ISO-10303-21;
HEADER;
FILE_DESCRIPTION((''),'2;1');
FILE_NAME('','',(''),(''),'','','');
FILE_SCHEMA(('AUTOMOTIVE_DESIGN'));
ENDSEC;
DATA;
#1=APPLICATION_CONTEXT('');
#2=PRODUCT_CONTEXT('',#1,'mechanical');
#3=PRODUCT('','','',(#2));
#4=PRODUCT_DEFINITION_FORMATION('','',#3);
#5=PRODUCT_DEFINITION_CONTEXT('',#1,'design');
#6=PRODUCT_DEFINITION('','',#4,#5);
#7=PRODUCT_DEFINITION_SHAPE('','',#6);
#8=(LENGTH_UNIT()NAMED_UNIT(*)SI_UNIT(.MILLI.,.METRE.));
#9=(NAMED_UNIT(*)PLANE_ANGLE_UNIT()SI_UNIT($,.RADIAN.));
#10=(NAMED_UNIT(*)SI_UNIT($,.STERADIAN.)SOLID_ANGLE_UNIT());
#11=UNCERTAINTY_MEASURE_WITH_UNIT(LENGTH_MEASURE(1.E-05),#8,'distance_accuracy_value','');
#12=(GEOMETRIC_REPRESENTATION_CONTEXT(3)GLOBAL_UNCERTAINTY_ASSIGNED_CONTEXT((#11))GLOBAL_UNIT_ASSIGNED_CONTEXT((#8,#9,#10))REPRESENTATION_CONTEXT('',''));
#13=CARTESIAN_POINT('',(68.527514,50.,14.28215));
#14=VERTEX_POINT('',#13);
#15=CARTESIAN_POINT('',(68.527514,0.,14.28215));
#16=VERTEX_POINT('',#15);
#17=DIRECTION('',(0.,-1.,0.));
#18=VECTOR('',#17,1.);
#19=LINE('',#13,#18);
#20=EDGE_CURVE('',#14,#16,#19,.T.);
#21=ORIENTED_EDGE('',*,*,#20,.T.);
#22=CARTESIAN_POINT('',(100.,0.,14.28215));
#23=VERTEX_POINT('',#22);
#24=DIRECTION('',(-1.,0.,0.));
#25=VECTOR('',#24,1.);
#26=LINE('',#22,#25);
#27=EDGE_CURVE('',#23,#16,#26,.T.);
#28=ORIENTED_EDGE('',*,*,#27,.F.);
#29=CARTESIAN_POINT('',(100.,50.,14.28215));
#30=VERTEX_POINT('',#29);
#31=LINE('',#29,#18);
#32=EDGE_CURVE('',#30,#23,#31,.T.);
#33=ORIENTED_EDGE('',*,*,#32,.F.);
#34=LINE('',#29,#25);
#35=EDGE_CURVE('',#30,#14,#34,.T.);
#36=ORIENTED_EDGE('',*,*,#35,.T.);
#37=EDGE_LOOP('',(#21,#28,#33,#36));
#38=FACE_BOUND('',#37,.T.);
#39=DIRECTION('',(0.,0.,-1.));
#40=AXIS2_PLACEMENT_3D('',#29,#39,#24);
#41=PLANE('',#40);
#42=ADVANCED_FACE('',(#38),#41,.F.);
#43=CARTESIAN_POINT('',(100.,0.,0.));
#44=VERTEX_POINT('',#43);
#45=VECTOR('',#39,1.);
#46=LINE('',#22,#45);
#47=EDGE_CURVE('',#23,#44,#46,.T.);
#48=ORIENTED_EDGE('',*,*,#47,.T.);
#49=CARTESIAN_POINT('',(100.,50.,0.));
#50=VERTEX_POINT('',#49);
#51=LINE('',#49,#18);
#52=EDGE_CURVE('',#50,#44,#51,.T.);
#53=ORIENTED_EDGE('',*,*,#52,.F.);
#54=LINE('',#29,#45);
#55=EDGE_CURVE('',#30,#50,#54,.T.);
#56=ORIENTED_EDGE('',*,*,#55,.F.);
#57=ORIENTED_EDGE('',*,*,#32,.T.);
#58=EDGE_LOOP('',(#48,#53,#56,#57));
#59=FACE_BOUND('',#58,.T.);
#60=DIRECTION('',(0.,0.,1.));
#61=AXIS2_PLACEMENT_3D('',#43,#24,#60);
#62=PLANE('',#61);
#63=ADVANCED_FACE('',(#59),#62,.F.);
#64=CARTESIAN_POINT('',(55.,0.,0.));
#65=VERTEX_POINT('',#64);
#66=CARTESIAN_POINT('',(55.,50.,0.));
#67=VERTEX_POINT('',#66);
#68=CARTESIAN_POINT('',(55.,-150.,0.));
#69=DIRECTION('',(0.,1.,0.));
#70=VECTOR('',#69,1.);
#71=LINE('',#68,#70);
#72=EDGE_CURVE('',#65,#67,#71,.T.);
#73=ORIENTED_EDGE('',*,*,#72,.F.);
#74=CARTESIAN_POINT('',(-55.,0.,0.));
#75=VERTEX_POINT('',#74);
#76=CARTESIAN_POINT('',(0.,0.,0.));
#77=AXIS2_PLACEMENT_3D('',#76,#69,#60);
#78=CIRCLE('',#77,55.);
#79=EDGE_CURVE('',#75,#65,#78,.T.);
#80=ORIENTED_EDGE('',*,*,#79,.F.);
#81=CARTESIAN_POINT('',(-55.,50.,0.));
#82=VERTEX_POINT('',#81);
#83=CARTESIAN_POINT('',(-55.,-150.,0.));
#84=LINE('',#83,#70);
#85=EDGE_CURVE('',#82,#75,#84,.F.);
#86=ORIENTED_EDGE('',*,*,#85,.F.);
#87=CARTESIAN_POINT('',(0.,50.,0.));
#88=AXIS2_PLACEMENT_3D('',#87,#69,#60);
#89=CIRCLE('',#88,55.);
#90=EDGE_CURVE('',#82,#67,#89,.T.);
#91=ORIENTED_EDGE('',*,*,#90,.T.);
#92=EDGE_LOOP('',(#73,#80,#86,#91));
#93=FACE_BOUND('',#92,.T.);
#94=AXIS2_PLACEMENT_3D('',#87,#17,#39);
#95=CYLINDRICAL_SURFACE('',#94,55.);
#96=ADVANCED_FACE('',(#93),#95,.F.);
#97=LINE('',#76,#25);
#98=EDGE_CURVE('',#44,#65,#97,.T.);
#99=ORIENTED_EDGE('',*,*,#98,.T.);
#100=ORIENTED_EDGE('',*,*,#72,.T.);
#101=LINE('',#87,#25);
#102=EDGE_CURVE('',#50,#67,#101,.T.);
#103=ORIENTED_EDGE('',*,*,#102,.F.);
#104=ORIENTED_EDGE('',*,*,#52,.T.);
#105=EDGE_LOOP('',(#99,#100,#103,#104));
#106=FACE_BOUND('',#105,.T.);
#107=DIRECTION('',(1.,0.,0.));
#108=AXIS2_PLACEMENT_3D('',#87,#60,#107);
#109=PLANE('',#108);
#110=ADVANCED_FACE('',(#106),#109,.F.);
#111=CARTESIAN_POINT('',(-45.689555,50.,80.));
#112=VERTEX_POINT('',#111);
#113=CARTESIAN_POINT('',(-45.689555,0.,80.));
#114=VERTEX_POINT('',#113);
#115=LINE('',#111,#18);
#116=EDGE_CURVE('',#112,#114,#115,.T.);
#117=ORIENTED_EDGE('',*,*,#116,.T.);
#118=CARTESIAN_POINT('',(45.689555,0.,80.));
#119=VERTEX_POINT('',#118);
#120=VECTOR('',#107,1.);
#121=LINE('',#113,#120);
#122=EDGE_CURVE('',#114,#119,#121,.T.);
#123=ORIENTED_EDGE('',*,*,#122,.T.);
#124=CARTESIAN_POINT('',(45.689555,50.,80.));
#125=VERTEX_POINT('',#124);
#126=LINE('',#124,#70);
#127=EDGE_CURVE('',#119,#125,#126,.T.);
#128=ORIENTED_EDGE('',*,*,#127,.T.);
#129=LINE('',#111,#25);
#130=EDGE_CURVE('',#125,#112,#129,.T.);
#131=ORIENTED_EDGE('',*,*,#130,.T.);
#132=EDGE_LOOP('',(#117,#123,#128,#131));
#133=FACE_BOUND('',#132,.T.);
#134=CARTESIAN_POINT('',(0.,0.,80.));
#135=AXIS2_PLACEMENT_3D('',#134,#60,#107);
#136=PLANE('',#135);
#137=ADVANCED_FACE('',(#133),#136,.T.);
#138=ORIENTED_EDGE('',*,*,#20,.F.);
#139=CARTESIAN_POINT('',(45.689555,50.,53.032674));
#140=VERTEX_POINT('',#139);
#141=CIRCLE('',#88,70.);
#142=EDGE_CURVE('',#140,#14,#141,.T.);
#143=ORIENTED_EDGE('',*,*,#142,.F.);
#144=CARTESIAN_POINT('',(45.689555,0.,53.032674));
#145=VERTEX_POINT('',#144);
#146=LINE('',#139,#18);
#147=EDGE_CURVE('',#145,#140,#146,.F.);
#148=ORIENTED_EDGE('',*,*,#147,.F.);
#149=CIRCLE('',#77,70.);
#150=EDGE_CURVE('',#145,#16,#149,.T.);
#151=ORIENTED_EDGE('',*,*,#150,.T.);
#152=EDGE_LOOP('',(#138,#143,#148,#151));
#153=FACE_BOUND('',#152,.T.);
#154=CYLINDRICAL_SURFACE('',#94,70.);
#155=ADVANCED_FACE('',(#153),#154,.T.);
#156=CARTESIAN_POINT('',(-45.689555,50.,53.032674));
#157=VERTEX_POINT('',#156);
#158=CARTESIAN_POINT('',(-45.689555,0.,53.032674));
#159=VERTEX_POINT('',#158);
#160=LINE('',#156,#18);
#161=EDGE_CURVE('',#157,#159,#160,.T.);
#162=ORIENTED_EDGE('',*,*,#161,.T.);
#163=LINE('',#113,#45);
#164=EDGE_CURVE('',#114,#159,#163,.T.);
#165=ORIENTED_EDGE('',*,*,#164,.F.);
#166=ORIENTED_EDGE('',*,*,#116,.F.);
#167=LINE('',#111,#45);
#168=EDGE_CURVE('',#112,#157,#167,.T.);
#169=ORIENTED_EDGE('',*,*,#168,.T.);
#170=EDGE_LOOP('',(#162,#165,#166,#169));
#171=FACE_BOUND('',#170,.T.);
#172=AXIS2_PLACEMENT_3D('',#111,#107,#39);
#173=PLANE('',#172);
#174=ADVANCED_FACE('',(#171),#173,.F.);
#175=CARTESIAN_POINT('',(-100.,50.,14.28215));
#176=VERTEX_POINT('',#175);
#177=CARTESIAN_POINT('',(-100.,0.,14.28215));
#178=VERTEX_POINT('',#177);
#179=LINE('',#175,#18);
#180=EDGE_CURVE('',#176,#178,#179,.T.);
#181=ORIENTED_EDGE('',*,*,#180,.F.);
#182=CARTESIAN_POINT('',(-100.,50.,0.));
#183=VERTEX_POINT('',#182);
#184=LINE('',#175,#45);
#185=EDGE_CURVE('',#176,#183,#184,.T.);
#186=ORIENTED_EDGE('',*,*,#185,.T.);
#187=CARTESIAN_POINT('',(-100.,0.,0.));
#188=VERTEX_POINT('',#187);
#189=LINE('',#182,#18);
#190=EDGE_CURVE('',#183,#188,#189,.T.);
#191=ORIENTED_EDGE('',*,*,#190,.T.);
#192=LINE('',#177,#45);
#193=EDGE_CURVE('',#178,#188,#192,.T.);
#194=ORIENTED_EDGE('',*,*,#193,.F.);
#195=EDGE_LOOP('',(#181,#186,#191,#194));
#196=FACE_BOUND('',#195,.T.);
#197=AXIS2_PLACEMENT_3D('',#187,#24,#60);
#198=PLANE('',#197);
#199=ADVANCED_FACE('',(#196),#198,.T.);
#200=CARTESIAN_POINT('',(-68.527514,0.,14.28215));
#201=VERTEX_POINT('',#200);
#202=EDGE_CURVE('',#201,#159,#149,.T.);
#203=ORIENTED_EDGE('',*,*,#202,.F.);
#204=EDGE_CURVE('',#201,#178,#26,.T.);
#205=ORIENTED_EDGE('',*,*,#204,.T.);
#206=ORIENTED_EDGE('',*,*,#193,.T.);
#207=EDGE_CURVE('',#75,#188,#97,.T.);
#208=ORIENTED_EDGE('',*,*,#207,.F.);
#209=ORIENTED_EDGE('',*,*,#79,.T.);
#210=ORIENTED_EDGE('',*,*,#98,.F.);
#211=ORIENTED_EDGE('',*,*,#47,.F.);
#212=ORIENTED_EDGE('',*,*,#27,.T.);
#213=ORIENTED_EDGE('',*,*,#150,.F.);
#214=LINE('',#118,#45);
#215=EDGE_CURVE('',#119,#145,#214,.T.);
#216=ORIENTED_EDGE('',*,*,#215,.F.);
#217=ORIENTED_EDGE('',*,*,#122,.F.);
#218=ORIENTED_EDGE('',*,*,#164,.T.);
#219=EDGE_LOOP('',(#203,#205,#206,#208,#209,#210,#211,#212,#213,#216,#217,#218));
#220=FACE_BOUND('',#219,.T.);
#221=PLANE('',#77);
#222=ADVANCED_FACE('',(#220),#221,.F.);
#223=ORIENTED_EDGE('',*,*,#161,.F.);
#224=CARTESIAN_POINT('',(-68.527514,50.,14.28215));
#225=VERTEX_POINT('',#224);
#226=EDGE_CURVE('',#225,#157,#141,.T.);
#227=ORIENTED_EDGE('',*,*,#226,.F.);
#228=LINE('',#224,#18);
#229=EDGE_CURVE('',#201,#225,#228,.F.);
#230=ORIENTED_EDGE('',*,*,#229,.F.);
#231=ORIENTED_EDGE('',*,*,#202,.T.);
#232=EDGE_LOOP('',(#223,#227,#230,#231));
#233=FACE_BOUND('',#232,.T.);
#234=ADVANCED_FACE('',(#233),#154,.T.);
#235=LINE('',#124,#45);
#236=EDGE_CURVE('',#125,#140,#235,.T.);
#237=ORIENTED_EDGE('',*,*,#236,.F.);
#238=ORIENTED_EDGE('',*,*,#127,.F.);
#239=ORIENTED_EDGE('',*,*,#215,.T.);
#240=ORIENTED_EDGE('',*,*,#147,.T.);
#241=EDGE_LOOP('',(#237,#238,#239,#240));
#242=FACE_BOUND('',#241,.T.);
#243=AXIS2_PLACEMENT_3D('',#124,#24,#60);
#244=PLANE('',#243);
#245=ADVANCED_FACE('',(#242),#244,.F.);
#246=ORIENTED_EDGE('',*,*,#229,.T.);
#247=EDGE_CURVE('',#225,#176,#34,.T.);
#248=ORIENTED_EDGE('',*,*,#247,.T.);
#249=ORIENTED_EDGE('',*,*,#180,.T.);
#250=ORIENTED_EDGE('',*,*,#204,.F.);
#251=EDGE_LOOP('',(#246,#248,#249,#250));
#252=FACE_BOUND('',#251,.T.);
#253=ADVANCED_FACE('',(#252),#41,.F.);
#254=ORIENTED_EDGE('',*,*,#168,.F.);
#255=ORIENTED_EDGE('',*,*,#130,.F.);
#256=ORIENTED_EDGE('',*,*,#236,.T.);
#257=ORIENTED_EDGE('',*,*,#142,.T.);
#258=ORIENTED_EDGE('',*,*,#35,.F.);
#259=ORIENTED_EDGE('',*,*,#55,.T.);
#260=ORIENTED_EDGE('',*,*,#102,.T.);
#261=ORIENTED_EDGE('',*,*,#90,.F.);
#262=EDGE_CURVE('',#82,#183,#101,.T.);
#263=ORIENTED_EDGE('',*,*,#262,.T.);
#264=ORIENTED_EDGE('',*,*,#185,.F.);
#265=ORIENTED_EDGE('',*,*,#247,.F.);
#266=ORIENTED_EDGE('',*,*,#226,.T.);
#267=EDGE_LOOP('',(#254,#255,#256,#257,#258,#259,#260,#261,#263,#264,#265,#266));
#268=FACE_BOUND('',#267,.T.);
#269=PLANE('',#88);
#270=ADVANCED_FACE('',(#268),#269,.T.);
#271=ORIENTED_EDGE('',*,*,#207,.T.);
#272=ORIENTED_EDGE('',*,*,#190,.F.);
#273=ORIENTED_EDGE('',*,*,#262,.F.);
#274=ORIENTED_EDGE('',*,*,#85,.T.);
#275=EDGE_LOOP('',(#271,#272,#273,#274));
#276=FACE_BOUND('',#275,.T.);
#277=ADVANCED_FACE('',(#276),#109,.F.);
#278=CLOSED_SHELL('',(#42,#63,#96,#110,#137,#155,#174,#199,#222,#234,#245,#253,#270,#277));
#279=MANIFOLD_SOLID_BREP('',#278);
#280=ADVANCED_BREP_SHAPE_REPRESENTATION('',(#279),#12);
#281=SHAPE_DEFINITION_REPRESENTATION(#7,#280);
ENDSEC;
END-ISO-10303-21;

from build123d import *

# Parameters (mm, degrees)
BOSS_EXTRUDE1_DEPTH = 50
SKETCH3_W           = 14.282150027
SKETCH3_H           = 50
BOSS_EXTRUDE2_DEPTH = 100
CUT_EXTRUDE3_START  = -200
SKETCH10_R          = 55
CUT_EXTRUDE3_DEPTH  = 200
SKETCH11_W          = 91.379110146
SKETCH11_H          = 50
BOSS_EXTRUDE4_DEPTH = 80
CUT_EXTRUDE4_START  = -200
SKETCH12_R          = 55
CUT_EXTRUDE4_DEPTH  = 200


with BuildPart() as part:
    # Sketch1 → Boss-Extrude1 (new body)
    with BuildSketch(Plane(origin=(0, 0, 0), x_dir=(1, 0, 0), z_dir=(0, 1, 0))):
        with BuildLine():
            ThreePointArc((-70, 0), (0, -70), (70, 0))
            Line((70, 0), (55, 0))
            ThreePointArc((55, 0), (0, -55), (-55, 0))
            Line((-55, 0), (-70, 0))
        make_face()
    extrude(amount=BOSS_EXTRUDE1_DEPTH)

    # Sketch3 → Boss-Extrude2 (add, symmetric)
    with BuildSketch(Plane(origin=(0, 0, 0), x_dir=(0, 0, -1), z_dir=(1, 0, 0))):
        with Locations((-7.141075014, 25)):
            Rectangle(SKETCH3_W, SKETCH3_H)
    extrude(amount=BOSS_EXTRUDE2_DEPTH, both=True)

    # Sketch10 → Cut-Extrude3 (cut)
    with BuildSketch(Plane(origin=(0, 50, 0), x_dir=(1, 0, 0), z_dir=(0, 1, 0)).offset(CUT_EXTRUDE3_START)):
        Circle(SKETCH10_R)
    extrude(amount=CUT_EXTRUDE3_DEPTH, mode=Mode.SUBTRACT)

    # Sketch11 → Boss-Extrude4 (add)
    with BuildSketch(Plane.XY):
        with Locations((0, 25)):
            Rectangle(SKETCH11_W, SKETCH11_H)
    extrude(amount=BOSS_EXTRUDE4_DEPTH)

    # Sketch12 → Cut-Extrude4 (cut)
    with BuildSketch(Plane(origin=(0, 50, 0), x_dir=(1, 0, 0), z_dir=(0, 1, 0)).offset(CUT_EXTRUDE4_START)):
        Circle(SKETCH12_R)
    extrude(amount=CUT_EXTRUDE4_DEPTH, mode=Mode.SUBTRACT)


solid = part.part
